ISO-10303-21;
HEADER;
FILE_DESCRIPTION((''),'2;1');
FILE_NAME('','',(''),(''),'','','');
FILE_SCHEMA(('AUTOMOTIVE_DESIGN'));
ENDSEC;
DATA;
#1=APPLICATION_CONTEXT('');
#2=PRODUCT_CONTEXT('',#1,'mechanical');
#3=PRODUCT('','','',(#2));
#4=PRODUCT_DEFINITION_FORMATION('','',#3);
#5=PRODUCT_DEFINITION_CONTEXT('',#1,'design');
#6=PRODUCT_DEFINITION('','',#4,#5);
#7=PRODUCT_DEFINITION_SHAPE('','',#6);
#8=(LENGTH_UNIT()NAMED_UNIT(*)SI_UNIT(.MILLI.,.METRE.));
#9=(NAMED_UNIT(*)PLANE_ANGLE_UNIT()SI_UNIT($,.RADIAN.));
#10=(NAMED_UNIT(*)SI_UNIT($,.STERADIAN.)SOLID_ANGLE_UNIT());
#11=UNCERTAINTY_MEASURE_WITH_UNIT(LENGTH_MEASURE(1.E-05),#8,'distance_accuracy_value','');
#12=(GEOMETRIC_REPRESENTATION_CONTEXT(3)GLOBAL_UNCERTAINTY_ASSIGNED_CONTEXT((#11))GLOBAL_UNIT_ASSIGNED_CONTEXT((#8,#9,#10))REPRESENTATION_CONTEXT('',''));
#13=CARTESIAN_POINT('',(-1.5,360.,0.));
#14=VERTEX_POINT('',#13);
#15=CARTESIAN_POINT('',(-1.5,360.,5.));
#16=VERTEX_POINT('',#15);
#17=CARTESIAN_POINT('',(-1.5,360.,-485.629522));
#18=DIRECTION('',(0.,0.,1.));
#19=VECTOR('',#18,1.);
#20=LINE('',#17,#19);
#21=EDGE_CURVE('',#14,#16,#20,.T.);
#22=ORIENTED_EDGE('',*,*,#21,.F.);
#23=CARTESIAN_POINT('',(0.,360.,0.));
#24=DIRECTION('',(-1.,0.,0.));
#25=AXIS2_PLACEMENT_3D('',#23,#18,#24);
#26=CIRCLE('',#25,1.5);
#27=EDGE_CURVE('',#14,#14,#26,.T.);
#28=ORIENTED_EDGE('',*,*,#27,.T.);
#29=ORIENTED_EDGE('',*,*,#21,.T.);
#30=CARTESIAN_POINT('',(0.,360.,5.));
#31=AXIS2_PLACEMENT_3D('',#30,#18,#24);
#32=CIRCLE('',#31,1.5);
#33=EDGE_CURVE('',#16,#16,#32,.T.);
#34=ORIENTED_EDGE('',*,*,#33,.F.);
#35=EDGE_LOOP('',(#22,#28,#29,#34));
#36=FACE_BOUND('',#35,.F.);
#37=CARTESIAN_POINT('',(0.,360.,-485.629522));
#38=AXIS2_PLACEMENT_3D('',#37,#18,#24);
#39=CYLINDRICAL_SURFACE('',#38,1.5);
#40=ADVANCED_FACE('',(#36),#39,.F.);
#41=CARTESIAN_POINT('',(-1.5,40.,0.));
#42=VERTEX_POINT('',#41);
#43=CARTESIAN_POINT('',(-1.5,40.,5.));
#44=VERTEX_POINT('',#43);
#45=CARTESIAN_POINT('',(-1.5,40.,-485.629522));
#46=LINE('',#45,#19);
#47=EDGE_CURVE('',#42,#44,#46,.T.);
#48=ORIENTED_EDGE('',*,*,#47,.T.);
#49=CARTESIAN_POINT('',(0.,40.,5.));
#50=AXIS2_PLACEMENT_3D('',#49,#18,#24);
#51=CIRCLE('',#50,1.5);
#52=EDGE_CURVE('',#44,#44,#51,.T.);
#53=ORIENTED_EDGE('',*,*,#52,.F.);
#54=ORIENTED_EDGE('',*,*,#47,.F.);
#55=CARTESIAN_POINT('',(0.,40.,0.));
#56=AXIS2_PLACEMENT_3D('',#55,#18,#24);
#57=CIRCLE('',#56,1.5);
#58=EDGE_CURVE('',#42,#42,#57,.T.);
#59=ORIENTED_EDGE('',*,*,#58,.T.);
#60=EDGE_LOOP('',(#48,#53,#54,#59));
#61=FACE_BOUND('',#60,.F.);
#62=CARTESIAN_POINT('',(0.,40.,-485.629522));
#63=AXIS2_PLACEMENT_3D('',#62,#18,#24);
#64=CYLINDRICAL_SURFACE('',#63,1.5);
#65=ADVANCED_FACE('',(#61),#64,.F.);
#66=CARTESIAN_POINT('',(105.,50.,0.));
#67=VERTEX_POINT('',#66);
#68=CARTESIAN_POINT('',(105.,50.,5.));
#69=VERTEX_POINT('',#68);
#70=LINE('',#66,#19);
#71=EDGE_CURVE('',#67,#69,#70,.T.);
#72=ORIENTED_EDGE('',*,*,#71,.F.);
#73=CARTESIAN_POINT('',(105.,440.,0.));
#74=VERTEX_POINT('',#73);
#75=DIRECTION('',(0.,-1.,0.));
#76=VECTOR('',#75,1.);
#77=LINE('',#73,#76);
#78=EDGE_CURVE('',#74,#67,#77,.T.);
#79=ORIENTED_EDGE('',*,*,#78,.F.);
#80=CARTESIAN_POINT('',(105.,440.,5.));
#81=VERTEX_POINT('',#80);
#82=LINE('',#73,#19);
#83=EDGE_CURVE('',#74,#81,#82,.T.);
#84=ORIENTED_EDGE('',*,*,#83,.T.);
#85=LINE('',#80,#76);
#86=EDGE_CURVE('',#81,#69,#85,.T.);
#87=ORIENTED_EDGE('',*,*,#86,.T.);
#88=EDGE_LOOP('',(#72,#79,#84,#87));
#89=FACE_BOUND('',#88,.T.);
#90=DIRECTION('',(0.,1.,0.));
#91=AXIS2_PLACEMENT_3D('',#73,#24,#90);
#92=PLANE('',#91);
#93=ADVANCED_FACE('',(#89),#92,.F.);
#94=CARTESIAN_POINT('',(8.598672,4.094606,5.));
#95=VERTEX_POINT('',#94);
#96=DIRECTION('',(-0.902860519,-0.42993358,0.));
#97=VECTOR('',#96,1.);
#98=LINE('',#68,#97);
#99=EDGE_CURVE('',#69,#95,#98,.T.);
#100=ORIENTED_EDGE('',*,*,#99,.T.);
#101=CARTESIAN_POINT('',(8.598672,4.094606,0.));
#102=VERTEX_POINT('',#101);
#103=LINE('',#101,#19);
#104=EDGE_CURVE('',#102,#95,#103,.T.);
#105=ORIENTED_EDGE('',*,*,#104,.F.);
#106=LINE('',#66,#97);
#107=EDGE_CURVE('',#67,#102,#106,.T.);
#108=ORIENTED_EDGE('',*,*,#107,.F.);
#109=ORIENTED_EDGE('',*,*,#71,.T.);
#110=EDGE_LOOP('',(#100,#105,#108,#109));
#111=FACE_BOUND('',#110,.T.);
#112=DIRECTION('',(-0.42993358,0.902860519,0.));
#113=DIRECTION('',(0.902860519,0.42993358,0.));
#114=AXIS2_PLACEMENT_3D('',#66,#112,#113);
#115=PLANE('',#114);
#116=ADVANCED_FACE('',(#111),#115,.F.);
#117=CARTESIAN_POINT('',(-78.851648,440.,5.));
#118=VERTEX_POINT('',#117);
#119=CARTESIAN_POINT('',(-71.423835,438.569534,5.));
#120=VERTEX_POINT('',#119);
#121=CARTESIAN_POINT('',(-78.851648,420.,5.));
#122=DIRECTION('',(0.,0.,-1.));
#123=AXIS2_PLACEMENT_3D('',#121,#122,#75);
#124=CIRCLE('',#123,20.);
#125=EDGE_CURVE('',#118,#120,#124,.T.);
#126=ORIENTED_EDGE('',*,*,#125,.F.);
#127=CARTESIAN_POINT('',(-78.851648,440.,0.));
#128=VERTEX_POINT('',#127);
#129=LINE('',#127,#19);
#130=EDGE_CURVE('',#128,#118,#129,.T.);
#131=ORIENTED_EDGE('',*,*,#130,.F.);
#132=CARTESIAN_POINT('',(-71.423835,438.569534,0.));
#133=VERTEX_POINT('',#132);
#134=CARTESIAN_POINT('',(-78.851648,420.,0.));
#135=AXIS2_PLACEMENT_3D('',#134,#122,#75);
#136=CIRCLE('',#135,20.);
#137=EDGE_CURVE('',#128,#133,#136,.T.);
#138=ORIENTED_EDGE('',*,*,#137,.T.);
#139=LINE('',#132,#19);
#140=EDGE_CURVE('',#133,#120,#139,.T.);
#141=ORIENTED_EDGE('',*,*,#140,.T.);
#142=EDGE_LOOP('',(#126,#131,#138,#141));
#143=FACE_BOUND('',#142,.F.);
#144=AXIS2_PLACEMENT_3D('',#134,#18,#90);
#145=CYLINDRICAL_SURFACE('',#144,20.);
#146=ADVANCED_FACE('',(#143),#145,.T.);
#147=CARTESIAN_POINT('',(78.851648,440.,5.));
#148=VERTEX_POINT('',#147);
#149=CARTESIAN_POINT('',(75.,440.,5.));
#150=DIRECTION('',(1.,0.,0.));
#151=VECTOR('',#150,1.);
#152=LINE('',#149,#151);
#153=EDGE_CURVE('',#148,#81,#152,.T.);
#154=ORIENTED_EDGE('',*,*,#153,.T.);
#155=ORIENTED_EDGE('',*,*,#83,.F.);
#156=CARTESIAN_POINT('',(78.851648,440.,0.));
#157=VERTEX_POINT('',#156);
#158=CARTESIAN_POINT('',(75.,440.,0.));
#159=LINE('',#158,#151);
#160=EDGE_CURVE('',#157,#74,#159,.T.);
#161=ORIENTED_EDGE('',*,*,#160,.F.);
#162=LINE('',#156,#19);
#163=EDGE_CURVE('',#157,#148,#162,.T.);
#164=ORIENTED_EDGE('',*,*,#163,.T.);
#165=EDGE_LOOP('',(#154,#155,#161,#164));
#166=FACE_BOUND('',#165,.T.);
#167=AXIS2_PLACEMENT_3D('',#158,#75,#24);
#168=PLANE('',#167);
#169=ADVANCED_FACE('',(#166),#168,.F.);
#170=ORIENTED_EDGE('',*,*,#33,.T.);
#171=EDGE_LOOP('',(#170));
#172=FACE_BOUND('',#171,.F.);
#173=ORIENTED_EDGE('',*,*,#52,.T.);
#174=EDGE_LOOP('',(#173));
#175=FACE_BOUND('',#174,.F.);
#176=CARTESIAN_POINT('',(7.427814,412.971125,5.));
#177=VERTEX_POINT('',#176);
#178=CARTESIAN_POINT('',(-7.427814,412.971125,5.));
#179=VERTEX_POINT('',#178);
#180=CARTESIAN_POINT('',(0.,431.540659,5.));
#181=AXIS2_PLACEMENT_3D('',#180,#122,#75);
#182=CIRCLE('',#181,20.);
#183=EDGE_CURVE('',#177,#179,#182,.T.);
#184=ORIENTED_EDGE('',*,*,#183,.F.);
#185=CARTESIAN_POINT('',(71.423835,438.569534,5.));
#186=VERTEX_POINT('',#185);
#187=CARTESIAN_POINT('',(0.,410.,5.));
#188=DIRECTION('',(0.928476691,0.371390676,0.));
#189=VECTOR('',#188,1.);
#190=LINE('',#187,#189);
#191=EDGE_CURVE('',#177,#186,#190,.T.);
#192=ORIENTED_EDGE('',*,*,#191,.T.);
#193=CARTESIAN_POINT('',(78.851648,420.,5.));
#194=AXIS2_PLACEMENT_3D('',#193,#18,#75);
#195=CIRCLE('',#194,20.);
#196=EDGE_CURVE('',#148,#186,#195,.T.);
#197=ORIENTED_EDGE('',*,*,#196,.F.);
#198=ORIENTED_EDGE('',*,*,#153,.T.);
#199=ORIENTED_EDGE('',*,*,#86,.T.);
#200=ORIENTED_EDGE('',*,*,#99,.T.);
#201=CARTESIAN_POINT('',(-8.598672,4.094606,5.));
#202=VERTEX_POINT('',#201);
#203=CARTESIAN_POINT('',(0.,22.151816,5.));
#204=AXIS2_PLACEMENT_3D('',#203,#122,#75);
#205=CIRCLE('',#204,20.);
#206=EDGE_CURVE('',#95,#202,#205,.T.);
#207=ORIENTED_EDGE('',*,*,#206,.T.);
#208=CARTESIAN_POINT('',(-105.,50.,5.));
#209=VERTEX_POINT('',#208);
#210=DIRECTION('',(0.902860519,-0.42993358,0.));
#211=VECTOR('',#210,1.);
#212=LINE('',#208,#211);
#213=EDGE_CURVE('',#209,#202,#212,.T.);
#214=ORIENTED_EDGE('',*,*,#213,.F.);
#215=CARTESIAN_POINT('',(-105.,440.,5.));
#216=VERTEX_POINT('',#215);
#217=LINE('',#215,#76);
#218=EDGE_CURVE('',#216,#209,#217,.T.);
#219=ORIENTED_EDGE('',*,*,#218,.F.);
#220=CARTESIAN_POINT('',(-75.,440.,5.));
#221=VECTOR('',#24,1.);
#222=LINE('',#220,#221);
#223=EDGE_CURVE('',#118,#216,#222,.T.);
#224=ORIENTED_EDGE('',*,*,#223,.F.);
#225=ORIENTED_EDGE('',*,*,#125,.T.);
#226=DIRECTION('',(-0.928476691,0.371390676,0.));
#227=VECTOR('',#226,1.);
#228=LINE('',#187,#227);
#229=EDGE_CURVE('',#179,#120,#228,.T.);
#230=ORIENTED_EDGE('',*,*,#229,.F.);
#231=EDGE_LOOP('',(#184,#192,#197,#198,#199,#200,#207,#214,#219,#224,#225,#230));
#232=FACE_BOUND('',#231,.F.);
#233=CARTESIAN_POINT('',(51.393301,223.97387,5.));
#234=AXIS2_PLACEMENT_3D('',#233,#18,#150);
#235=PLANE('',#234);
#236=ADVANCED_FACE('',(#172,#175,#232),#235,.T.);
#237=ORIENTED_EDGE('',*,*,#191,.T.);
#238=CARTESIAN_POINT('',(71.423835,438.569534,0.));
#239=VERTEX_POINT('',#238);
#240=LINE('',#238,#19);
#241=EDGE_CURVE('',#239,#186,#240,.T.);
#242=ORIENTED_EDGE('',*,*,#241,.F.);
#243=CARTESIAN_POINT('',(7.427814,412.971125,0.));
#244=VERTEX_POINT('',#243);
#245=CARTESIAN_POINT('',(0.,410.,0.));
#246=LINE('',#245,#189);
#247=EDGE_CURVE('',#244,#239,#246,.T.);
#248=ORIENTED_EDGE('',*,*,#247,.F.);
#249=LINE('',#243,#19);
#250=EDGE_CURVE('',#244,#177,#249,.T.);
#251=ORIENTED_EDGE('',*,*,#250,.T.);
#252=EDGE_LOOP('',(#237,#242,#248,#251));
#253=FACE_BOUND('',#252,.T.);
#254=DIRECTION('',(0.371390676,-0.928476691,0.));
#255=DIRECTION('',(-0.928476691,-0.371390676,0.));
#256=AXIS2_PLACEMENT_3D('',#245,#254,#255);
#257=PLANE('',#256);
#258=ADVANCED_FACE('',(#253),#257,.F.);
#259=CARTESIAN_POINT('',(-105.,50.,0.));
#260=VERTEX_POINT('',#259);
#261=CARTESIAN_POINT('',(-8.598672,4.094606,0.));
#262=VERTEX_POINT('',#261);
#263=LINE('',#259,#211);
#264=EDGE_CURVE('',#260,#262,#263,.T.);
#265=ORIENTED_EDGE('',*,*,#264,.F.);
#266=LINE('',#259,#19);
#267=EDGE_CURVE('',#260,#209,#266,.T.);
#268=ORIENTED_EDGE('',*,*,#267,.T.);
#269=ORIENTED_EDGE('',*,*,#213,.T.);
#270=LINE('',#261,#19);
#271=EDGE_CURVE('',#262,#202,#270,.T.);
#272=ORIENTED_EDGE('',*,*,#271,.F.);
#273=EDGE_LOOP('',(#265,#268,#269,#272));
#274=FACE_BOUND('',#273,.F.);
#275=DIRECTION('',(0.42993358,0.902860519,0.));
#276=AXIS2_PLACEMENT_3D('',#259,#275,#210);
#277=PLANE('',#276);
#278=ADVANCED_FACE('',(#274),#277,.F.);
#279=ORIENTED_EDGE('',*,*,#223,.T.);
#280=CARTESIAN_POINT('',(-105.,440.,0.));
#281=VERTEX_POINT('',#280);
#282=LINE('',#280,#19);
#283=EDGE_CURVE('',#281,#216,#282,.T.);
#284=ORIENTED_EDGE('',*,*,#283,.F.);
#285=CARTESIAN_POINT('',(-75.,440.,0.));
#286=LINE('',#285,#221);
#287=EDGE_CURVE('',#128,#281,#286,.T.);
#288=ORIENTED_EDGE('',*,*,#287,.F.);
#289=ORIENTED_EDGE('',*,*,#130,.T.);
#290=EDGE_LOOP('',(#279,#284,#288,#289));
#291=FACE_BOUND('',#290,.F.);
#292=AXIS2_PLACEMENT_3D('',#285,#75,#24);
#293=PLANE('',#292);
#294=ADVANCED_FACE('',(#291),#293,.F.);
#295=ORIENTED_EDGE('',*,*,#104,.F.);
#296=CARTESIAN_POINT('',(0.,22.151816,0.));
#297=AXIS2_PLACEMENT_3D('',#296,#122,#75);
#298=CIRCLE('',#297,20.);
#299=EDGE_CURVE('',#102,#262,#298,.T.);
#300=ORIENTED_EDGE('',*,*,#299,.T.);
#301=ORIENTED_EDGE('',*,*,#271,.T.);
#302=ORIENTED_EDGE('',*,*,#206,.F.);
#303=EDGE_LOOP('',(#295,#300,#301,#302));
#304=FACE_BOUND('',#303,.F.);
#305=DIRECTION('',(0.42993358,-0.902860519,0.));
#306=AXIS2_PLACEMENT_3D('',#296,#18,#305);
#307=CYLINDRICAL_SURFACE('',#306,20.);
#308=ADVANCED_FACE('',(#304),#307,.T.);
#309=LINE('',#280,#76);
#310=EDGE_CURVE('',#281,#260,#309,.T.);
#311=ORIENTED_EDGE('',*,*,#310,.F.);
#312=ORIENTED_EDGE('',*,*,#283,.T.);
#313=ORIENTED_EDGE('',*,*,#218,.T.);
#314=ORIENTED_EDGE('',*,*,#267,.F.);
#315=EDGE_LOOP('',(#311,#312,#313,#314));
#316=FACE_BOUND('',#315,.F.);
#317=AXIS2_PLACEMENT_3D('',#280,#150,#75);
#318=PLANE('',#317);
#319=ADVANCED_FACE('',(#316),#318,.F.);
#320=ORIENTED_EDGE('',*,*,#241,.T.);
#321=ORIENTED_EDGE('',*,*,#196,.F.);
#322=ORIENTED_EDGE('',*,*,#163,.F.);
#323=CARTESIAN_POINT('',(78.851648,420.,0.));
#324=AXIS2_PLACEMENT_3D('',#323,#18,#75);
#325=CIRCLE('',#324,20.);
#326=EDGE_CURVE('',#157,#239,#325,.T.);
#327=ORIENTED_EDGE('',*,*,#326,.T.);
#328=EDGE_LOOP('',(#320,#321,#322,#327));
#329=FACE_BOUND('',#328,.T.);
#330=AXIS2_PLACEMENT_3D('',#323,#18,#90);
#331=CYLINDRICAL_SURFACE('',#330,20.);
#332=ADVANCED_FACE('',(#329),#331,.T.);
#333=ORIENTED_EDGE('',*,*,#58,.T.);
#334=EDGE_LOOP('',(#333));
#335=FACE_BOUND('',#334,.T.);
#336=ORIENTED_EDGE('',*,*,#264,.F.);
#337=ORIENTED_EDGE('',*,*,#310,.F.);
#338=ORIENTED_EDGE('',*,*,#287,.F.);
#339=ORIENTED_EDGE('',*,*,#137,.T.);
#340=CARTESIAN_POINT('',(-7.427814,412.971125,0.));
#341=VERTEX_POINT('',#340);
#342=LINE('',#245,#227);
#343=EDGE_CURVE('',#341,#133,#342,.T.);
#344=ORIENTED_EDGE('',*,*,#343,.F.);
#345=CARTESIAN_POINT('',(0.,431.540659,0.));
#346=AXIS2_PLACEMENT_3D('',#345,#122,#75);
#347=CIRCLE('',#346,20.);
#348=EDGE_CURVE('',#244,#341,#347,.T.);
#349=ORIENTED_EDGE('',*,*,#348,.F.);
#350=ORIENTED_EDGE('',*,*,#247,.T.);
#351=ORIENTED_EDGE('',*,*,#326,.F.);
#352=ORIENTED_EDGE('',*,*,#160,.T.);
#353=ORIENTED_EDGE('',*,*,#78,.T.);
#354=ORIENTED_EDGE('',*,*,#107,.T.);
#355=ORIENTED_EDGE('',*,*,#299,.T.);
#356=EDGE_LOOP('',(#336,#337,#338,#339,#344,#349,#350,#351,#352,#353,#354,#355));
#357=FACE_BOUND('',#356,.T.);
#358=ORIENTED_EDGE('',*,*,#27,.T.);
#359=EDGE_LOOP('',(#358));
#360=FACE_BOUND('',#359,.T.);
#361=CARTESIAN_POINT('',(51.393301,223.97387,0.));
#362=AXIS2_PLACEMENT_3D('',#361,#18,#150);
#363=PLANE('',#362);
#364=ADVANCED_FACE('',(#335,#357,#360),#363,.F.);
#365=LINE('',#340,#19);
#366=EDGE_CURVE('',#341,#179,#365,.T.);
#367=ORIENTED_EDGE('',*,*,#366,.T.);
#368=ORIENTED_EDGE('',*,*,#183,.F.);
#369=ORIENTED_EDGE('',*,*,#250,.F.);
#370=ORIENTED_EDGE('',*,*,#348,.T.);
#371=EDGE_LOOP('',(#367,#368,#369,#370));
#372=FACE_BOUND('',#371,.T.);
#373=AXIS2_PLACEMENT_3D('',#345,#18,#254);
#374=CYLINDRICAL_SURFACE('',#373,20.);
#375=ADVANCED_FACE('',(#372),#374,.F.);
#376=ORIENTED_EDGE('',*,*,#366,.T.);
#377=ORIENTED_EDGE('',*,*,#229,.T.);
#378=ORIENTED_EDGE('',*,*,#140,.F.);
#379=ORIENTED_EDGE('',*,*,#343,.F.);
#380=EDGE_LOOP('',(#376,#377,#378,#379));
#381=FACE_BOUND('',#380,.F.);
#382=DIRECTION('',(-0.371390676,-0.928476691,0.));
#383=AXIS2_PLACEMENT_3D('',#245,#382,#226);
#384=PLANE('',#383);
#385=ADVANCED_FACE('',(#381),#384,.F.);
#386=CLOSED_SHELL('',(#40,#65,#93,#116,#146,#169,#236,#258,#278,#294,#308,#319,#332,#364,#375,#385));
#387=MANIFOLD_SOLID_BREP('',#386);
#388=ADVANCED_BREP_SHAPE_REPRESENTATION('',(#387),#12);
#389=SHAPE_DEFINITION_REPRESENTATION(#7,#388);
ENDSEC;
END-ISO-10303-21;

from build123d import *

# Parameters (mm, degrees)
F1_DEPTH = 5
F3_R     = 20
F4_D     = 3


with BuildPart() as f1:
    # F0 (on Top) → F1 (new body)
    with BuildSketch(Plane.XY):
        Polygon((-105, 50), (0, 0), (0, 410), (-75, 440), (-105, 440), align=None)
    extrude(amount=F1_DEPTH)

    # F2: F1 across plane


with BuildPart() as f1_1:
    add(f1.part)
    add(f1.part.mirror(Plane.YZ))

    # F3
    f3_edges = [f1_1.edges().sort_by_distance(p)[0] for p in [
        (0, 0, 2.5),
        (0, 410, 2.5),
        (75, 440, 2.5),
        (-75, 440, 2.5),
    ]]
    fillet(f3_edges, radius=F3_R)

    # F4 (through all)
    with Locations(Plane(origin=(0, 0, 0), x_dir=(1, 0, 0), z_dir=(0, 0, -1))):
        with Locations((0, -360), (0, -40)):
            Hole(F4_D / 2)


solid = f1_1.part
